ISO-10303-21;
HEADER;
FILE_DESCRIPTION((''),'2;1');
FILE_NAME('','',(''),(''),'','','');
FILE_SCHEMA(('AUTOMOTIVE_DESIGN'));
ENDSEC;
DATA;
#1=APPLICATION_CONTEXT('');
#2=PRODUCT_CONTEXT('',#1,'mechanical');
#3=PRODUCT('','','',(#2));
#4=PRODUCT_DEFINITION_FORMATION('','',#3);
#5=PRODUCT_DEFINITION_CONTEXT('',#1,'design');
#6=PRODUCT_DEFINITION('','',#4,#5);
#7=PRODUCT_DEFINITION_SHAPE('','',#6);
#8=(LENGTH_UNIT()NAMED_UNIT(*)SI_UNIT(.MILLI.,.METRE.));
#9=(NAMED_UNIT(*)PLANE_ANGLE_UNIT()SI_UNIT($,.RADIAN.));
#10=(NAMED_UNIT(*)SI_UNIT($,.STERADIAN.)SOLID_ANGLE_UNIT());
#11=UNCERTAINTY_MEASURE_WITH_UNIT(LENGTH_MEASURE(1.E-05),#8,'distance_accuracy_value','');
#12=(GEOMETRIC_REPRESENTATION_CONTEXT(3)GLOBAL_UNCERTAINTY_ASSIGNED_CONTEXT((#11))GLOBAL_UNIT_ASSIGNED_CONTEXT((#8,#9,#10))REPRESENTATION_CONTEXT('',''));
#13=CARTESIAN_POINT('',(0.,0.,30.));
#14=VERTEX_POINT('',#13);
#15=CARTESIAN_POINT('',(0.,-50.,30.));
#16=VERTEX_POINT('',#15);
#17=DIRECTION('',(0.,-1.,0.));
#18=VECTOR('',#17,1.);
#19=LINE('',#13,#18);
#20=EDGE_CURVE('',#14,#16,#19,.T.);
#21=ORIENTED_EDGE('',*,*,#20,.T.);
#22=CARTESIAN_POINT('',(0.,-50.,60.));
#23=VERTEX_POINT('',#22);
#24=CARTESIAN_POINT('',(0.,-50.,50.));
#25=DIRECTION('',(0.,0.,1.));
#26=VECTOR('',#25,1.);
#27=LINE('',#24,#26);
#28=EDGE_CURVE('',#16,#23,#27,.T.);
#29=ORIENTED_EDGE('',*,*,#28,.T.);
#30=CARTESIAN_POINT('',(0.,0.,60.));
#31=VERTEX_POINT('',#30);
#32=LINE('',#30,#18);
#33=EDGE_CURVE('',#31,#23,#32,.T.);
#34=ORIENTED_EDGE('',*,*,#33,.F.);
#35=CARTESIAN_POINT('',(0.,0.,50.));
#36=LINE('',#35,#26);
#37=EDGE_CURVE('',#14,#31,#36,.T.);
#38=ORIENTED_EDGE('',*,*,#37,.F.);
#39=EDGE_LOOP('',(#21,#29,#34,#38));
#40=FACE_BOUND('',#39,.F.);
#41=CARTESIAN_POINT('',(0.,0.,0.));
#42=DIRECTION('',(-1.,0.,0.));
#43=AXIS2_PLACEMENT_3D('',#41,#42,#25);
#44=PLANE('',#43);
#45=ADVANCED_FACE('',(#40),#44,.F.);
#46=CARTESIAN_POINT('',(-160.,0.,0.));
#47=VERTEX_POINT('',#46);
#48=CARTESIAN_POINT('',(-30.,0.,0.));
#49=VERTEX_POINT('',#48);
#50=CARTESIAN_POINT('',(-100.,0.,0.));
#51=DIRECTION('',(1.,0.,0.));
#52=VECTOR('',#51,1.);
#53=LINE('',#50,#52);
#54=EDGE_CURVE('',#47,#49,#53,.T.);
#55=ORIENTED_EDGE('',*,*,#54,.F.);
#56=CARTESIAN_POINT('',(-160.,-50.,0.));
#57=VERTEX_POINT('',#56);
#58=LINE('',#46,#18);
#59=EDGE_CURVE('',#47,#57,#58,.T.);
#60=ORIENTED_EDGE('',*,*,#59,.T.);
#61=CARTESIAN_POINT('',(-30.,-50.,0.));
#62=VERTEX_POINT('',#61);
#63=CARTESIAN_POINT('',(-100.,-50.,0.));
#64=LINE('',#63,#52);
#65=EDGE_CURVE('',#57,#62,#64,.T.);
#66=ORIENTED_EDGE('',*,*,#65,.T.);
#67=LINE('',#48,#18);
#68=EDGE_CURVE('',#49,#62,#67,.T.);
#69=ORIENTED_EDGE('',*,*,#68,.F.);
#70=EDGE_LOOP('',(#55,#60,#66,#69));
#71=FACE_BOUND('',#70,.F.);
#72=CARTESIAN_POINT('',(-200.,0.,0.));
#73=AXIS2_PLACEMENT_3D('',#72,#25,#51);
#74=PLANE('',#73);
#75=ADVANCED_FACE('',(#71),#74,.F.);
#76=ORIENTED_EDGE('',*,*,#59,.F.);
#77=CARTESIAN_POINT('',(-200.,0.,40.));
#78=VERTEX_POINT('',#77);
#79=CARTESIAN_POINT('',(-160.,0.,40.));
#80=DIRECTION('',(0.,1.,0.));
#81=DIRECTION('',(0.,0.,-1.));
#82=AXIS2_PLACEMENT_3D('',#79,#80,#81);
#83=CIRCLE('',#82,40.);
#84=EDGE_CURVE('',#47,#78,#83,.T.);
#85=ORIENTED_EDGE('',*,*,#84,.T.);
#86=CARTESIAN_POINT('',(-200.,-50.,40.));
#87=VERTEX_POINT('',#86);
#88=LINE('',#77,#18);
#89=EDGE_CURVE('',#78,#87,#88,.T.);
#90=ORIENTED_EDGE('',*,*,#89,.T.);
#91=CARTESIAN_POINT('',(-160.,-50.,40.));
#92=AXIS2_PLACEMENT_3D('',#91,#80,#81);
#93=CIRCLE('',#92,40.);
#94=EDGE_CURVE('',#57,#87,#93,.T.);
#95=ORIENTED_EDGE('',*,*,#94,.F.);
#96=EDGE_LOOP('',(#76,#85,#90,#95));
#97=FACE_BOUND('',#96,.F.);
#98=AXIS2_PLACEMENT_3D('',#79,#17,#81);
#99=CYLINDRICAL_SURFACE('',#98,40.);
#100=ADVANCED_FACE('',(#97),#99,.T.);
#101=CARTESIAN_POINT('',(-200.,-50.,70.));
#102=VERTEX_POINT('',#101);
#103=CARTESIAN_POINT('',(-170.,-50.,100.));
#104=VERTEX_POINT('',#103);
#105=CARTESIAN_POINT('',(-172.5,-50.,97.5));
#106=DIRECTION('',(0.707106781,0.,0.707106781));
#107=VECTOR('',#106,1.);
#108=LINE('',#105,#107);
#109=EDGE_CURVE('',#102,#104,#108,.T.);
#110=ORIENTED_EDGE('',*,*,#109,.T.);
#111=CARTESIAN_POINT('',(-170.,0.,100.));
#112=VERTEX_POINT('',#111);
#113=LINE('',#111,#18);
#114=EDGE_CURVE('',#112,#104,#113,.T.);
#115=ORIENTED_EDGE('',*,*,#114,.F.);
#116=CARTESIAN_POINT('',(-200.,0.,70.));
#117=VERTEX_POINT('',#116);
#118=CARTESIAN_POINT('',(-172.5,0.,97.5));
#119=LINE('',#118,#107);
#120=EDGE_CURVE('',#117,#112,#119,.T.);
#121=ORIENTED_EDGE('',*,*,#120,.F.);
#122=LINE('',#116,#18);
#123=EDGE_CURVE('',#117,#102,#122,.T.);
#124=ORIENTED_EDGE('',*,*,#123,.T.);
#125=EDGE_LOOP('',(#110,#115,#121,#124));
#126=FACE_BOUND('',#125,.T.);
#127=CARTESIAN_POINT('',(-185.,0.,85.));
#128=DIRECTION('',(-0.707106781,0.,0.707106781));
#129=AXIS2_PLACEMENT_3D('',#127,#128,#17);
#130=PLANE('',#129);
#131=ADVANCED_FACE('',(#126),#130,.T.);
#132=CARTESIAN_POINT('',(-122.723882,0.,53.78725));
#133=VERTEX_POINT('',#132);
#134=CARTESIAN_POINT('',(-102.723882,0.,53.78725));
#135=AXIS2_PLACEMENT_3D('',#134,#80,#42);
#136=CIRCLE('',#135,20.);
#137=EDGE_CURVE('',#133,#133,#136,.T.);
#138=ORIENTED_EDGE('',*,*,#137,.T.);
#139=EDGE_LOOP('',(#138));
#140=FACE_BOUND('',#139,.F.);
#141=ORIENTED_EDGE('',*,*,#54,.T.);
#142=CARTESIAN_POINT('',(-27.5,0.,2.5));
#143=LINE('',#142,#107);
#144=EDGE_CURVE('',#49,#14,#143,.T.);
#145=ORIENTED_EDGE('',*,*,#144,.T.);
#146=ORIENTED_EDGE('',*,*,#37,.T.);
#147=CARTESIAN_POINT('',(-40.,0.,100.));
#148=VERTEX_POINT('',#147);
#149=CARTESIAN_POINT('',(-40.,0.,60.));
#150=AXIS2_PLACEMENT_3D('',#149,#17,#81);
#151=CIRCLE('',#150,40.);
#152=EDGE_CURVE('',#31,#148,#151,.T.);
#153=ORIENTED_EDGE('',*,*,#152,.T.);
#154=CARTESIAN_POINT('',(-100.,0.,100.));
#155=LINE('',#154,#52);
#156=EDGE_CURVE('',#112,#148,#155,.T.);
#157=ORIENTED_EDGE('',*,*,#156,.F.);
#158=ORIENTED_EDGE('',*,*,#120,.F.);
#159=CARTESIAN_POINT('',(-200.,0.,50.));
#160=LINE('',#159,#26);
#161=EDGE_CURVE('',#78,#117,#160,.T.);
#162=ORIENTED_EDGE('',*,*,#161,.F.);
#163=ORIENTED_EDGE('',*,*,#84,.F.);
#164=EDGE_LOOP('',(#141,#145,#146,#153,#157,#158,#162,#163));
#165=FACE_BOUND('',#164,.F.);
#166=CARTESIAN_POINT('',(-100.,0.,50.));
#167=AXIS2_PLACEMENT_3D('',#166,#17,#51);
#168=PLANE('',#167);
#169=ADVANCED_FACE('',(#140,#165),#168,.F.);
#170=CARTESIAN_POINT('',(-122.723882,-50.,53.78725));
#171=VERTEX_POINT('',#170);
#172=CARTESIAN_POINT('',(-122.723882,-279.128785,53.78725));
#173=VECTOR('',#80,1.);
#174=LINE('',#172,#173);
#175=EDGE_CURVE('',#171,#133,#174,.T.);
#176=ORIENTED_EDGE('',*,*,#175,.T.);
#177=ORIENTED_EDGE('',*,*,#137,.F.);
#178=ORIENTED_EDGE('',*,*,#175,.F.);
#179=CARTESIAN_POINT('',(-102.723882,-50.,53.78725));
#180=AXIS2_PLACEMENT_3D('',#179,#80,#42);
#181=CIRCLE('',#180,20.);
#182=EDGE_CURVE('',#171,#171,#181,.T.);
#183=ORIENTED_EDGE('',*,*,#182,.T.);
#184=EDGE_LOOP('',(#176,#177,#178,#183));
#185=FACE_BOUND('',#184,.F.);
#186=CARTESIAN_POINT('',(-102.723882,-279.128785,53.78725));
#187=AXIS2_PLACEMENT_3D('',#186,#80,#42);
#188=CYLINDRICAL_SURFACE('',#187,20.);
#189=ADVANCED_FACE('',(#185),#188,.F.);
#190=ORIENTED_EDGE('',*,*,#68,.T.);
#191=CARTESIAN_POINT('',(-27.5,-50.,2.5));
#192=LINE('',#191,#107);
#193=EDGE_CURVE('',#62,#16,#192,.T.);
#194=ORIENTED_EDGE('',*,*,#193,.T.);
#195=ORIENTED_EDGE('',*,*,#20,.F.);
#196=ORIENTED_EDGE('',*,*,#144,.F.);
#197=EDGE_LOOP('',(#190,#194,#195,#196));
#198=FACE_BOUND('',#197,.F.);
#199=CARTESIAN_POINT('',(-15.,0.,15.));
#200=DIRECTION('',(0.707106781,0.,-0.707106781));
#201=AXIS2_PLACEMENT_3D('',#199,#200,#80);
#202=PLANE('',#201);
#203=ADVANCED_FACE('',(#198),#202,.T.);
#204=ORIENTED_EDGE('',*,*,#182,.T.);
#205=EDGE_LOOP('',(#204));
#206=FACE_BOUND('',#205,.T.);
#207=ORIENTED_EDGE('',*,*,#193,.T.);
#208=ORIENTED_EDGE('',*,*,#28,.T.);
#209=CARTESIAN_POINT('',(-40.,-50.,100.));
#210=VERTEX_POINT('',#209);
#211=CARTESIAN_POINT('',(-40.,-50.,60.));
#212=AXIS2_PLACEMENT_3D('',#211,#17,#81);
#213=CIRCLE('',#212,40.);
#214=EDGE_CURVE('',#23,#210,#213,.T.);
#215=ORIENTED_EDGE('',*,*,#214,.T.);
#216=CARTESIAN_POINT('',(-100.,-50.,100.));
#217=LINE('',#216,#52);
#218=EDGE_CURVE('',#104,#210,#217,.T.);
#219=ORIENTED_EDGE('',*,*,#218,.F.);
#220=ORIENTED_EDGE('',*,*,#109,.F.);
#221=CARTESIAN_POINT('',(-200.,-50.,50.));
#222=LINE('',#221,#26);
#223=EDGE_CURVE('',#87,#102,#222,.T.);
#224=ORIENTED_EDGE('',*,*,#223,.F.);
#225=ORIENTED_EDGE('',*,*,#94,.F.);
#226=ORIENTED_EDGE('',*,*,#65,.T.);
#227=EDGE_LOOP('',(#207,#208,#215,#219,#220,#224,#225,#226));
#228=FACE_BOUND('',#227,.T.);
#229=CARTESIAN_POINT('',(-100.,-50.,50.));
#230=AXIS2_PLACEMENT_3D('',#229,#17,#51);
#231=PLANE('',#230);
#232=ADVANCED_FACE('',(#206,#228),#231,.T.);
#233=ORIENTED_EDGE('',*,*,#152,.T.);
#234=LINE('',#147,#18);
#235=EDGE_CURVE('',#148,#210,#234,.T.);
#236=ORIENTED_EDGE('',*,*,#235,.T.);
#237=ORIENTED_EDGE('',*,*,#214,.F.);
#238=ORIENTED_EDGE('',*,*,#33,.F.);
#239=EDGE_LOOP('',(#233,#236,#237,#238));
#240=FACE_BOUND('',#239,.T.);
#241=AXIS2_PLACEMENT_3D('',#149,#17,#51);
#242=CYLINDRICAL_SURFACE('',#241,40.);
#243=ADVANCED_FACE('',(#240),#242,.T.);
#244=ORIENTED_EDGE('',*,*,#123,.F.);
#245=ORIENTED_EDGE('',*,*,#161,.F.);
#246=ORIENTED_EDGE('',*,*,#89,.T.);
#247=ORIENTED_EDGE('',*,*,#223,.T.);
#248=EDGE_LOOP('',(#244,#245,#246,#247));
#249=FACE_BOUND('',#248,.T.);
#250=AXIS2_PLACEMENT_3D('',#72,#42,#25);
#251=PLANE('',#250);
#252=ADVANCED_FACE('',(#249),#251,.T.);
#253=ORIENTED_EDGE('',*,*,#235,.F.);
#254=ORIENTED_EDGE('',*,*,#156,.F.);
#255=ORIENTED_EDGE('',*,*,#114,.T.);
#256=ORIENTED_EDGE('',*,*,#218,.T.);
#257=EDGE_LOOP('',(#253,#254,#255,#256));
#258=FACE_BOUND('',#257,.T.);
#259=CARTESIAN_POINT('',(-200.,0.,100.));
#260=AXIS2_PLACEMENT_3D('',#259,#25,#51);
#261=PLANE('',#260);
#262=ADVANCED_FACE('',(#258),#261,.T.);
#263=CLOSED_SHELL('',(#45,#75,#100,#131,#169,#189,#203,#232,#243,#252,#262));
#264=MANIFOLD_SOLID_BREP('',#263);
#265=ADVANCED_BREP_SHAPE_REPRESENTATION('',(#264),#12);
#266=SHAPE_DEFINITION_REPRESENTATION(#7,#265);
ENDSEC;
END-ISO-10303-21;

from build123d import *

# Parameters (mm, degrees)
F0_W     = 200
F0_H     = 100
F1_DEPTH = 50
F2_SIZE  = 30
F3_SIZE  = 30
F4_R     = 40
F5_R     = 40
F7_D     = 40


with BuildPart() as f1:
    # F0 (on Front) → F1 (new body)
    with BuildSketch(Plane.XZ):
        with Locations((-100, 50)):
            Rectangle(F0_W, F0_H)
    extrude(amount=F1_DEPTH)

    # F2
    f2_edges = [f1.edges().sort_by_distance(p)[0] for p in [
        (-200, -25, 100),
    ]]
    chamfer(f2_edges, length=F2_SIZE)

    # F3
    f3_edges = [f1.edges().sort_by_distance(p)[0] for p in [
        (0, -25, 0),
    ]]
    chamfer(f3_edges, length=F3_SIZE)

    # F4
    f4_edges = [f1.edges().sort_by_distance(p)[0] for p in [
        (0, -25, 100),
    ]]
    fillet(f4_edges, radius=F4_R)

    # F5
    f5_edges = [f1.edges().sort_by_distance(p)[0] for p in [
        (-200, -25, 0),
    ]]
    fillet(f5_edges, radius=F5_R)

    # F7 (through all)
    with Locations(Plane.XZ.offset(50)):
        with Locations((-102.723882, 53.78725)):
            Hole(F7_D / 2)


solid = f1.part
